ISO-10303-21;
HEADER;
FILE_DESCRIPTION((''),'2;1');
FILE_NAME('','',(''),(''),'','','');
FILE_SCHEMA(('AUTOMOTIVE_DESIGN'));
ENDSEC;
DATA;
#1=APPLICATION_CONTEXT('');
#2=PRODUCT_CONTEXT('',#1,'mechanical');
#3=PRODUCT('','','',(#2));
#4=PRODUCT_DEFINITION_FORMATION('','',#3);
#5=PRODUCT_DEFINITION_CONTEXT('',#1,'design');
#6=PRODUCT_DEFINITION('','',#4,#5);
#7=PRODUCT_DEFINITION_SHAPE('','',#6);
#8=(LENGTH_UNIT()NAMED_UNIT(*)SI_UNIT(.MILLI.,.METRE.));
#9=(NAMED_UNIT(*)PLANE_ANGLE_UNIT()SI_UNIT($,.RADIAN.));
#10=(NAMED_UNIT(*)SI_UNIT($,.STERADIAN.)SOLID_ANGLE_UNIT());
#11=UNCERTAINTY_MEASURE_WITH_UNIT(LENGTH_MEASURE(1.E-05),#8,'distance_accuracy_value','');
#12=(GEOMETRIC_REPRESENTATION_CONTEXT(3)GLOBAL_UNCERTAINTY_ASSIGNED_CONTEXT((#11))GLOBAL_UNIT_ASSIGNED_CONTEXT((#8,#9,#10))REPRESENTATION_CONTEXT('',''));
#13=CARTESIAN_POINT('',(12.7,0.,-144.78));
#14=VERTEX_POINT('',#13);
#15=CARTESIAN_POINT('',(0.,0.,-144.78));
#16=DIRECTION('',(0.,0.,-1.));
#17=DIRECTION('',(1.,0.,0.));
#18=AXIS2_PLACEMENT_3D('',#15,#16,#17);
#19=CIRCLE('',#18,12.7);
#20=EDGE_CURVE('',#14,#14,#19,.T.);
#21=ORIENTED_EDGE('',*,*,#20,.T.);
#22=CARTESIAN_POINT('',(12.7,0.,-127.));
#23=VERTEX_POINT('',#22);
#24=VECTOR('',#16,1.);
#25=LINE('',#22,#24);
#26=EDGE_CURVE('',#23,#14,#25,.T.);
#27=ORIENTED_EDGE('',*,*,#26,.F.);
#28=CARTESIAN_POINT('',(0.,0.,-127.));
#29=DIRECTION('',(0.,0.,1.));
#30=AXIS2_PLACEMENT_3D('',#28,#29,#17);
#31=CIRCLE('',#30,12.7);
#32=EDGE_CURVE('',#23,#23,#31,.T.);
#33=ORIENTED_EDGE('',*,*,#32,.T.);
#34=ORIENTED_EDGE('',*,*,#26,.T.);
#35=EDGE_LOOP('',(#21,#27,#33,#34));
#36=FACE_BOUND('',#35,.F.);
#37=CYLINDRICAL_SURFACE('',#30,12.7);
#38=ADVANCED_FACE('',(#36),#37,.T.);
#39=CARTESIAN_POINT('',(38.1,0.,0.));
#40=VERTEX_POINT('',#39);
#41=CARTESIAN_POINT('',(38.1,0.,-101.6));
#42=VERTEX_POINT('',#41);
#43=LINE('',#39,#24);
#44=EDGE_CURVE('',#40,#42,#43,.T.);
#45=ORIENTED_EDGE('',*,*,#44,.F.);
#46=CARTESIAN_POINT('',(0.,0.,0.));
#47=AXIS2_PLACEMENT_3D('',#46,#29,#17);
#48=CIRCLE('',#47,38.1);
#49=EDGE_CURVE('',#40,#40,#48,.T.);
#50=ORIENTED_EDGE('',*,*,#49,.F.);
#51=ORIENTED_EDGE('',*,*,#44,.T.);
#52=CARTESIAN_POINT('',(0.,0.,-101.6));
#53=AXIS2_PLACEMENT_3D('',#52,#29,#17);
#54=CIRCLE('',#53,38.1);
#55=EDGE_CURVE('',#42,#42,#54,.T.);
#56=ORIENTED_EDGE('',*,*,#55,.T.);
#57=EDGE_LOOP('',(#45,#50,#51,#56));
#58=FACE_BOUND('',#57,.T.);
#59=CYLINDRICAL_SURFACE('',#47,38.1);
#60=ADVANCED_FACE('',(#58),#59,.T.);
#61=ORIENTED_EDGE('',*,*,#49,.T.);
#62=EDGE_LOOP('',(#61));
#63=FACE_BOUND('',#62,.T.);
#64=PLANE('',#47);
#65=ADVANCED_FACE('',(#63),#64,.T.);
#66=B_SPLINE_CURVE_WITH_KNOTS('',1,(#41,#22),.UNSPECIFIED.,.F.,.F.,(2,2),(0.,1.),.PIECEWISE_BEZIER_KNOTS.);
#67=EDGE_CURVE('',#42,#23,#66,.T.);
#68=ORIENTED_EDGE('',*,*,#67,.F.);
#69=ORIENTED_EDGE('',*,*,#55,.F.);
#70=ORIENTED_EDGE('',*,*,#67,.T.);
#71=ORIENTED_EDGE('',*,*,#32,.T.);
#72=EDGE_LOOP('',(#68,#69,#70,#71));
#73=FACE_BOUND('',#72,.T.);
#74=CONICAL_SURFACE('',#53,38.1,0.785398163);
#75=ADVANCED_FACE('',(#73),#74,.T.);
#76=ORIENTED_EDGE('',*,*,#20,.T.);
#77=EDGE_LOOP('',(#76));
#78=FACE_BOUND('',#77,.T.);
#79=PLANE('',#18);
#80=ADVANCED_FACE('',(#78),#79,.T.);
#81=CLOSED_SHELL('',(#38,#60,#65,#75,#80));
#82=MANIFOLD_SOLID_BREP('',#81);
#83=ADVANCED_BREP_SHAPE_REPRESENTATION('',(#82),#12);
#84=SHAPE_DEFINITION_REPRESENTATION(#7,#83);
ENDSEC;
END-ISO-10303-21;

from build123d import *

# Parameters (mm, degrees)
F0_R     = 38.1
F1_DEPTH = 101.6
F2_R     = 38.1
F3_DEPTH = 25.4
F3_TAPER = 45
F4_R     = 12.7
F5_DEPTH = 17.78


with BuildPart() as f1:
    # F0 (on Top) → F1 (new body)
    with BuildSketch(Plane.XY):
        Circle(F0_R)
    extrude(amount=-F1_DEPTH)

    # F2 (on face) → F3 (join)
    with BuildSketch(Plane(origin=(0, 0, -101.6), x_dir=(1, 0, 0), z_dir=(0, 0, -1))):
        Circle(F2_R)
    extrude(amount=F3_DEPTH, taper=F3_TAPER)

    # F4 (on face) → F5 (join)
    with BuildSketch(Plane(origin=(0, 0, -127), x_dir=(1, 0, 0), z_dir=(0, 0, -1))):
        Circle(F4_R)
    extrude(amount=F5_DEPTH)


solid = f1.part
